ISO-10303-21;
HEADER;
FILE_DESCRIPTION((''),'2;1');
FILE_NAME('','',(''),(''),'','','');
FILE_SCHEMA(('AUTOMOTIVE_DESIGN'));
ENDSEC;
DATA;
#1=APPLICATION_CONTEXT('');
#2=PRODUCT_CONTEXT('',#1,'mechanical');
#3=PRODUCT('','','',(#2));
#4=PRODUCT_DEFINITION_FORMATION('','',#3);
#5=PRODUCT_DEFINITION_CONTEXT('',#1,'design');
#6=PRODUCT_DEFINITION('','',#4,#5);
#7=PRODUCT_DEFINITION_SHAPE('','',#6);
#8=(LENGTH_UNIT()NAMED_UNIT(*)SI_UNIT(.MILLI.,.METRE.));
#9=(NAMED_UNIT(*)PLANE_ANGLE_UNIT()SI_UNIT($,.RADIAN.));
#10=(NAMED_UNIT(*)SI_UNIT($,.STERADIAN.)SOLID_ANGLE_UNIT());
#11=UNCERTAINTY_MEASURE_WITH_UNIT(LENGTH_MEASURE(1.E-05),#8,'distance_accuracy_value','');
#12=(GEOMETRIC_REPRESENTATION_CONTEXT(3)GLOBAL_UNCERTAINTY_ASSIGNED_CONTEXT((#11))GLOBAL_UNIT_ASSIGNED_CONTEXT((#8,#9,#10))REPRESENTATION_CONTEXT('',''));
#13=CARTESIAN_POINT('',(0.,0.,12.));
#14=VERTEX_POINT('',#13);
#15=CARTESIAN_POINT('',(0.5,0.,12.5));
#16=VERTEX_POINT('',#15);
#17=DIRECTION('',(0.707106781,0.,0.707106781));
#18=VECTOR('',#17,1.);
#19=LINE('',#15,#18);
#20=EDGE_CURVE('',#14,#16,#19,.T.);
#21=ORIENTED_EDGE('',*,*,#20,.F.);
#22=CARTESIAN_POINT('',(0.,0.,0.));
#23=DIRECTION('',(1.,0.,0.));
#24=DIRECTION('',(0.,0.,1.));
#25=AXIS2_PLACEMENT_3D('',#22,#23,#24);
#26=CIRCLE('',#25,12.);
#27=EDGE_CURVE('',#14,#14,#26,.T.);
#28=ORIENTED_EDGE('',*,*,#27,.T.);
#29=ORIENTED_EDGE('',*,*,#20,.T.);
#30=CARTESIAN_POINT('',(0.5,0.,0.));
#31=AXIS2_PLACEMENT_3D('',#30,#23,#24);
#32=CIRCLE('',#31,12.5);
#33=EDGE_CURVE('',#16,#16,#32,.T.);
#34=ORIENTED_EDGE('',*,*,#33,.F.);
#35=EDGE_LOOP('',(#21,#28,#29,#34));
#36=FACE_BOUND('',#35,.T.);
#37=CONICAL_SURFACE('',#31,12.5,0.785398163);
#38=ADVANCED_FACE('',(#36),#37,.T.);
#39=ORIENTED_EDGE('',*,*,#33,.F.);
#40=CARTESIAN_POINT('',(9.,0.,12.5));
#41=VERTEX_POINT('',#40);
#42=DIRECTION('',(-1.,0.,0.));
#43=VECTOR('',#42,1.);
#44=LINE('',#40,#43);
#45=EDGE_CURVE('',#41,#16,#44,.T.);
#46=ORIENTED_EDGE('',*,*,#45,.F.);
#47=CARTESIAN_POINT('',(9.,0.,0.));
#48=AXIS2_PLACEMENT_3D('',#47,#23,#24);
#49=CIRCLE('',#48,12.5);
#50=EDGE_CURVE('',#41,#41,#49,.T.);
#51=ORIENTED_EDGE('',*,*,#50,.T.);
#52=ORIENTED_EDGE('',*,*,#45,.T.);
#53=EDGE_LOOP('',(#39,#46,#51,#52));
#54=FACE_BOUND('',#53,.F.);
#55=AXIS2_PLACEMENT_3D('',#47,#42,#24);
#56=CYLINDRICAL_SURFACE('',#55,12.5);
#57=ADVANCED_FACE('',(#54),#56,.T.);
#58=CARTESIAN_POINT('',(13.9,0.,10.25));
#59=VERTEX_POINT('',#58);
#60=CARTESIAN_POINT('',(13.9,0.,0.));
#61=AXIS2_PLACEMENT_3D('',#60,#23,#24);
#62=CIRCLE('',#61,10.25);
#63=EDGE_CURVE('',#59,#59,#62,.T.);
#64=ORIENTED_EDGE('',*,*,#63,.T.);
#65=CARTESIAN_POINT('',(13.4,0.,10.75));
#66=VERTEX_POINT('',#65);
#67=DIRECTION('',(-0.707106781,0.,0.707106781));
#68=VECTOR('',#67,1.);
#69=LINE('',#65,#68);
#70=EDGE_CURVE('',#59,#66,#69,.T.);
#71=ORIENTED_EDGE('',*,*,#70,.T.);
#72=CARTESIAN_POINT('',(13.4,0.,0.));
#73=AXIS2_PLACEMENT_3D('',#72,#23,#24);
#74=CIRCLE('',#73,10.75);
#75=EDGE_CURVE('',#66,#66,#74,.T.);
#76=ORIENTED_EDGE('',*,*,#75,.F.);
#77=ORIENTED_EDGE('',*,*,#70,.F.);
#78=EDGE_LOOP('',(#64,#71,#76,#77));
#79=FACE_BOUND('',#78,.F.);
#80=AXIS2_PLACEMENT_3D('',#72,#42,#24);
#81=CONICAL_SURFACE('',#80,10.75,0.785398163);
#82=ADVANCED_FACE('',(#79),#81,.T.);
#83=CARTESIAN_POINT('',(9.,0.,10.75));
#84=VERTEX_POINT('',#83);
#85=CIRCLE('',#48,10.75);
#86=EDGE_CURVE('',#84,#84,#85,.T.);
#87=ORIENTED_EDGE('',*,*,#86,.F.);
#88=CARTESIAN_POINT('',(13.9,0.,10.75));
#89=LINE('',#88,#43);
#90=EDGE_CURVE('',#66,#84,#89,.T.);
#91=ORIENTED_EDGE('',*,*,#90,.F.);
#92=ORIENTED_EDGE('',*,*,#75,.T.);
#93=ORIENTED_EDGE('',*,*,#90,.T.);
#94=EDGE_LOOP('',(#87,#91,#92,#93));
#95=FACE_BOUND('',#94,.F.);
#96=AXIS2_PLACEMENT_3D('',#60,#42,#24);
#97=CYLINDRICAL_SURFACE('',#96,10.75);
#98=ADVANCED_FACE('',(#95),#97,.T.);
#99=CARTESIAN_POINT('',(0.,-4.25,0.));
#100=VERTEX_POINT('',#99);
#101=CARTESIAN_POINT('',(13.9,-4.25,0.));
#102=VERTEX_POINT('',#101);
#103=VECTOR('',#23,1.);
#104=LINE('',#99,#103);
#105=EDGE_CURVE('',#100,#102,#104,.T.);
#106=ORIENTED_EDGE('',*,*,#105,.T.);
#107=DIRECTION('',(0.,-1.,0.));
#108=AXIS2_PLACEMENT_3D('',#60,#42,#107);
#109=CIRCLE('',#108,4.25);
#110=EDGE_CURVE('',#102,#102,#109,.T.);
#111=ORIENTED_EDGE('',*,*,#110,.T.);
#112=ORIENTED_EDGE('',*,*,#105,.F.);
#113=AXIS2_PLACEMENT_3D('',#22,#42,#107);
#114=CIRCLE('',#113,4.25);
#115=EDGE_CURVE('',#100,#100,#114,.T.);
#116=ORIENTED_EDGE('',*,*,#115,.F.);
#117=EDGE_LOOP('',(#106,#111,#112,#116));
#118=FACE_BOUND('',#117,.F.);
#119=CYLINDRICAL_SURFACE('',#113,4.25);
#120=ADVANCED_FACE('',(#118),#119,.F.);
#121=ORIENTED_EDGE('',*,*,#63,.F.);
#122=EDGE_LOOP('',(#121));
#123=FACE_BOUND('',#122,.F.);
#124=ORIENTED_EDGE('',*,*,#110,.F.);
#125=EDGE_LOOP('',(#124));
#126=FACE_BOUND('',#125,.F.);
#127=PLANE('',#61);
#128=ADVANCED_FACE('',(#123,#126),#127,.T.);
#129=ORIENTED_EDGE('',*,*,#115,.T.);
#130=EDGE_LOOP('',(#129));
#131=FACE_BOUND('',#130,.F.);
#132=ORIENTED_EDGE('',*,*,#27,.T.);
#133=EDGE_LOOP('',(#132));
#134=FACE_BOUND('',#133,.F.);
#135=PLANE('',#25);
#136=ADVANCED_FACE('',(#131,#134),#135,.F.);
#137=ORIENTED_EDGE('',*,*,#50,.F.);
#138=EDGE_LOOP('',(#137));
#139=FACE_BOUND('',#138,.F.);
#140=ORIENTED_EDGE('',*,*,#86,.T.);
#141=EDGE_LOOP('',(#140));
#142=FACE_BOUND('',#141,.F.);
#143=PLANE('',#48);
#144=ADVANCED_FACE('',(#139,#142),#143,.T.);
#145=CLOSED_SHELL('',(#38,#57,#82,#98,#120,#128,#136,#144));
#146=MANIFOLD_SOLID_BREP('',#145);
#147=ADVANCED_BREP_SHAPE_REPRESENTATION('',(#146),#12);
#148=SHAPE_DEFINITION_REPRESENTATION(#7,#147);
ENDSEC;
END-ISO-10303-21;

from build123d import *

# Parameters (mm, degrees)
F2_R     = 4.25
F3_DEPTH = 13.9
F4_SIZE  = 0.5


with BuildPart() as f1:
    # F0 (on Front) → F1 (revolve)
    with BuildSketch(Plane.XZ):
        Polygon((0, 12.5), (0, 0), (13.9, 0), (13.9, 10.75), (9, 10.75), (9, 12.5), align=None)
    revolve(axis=Axis((6.95, 0, 0), (1, 0, 0)))

    # F2 (on face) → F3 (cut, through all)
    with BuildSketch(Plane(origin=(0, 0, 0), x_dir=(0, -1, 0), z_dir=(-1, 0, 0))):
        Circle(F2_R)
    extrude(amount=-F3_DEPTH, mode=Mode.SUBTRACT)

    # F4
    f4_edges = [f1.edges().sort_by_distance(p)[0] for p in [
        (13.9, 0, -10.75),
        (0, 0, -12.5),
    ]]
    chamfer(f4_edges, length=F4_SIZE)


solid = f1.part
